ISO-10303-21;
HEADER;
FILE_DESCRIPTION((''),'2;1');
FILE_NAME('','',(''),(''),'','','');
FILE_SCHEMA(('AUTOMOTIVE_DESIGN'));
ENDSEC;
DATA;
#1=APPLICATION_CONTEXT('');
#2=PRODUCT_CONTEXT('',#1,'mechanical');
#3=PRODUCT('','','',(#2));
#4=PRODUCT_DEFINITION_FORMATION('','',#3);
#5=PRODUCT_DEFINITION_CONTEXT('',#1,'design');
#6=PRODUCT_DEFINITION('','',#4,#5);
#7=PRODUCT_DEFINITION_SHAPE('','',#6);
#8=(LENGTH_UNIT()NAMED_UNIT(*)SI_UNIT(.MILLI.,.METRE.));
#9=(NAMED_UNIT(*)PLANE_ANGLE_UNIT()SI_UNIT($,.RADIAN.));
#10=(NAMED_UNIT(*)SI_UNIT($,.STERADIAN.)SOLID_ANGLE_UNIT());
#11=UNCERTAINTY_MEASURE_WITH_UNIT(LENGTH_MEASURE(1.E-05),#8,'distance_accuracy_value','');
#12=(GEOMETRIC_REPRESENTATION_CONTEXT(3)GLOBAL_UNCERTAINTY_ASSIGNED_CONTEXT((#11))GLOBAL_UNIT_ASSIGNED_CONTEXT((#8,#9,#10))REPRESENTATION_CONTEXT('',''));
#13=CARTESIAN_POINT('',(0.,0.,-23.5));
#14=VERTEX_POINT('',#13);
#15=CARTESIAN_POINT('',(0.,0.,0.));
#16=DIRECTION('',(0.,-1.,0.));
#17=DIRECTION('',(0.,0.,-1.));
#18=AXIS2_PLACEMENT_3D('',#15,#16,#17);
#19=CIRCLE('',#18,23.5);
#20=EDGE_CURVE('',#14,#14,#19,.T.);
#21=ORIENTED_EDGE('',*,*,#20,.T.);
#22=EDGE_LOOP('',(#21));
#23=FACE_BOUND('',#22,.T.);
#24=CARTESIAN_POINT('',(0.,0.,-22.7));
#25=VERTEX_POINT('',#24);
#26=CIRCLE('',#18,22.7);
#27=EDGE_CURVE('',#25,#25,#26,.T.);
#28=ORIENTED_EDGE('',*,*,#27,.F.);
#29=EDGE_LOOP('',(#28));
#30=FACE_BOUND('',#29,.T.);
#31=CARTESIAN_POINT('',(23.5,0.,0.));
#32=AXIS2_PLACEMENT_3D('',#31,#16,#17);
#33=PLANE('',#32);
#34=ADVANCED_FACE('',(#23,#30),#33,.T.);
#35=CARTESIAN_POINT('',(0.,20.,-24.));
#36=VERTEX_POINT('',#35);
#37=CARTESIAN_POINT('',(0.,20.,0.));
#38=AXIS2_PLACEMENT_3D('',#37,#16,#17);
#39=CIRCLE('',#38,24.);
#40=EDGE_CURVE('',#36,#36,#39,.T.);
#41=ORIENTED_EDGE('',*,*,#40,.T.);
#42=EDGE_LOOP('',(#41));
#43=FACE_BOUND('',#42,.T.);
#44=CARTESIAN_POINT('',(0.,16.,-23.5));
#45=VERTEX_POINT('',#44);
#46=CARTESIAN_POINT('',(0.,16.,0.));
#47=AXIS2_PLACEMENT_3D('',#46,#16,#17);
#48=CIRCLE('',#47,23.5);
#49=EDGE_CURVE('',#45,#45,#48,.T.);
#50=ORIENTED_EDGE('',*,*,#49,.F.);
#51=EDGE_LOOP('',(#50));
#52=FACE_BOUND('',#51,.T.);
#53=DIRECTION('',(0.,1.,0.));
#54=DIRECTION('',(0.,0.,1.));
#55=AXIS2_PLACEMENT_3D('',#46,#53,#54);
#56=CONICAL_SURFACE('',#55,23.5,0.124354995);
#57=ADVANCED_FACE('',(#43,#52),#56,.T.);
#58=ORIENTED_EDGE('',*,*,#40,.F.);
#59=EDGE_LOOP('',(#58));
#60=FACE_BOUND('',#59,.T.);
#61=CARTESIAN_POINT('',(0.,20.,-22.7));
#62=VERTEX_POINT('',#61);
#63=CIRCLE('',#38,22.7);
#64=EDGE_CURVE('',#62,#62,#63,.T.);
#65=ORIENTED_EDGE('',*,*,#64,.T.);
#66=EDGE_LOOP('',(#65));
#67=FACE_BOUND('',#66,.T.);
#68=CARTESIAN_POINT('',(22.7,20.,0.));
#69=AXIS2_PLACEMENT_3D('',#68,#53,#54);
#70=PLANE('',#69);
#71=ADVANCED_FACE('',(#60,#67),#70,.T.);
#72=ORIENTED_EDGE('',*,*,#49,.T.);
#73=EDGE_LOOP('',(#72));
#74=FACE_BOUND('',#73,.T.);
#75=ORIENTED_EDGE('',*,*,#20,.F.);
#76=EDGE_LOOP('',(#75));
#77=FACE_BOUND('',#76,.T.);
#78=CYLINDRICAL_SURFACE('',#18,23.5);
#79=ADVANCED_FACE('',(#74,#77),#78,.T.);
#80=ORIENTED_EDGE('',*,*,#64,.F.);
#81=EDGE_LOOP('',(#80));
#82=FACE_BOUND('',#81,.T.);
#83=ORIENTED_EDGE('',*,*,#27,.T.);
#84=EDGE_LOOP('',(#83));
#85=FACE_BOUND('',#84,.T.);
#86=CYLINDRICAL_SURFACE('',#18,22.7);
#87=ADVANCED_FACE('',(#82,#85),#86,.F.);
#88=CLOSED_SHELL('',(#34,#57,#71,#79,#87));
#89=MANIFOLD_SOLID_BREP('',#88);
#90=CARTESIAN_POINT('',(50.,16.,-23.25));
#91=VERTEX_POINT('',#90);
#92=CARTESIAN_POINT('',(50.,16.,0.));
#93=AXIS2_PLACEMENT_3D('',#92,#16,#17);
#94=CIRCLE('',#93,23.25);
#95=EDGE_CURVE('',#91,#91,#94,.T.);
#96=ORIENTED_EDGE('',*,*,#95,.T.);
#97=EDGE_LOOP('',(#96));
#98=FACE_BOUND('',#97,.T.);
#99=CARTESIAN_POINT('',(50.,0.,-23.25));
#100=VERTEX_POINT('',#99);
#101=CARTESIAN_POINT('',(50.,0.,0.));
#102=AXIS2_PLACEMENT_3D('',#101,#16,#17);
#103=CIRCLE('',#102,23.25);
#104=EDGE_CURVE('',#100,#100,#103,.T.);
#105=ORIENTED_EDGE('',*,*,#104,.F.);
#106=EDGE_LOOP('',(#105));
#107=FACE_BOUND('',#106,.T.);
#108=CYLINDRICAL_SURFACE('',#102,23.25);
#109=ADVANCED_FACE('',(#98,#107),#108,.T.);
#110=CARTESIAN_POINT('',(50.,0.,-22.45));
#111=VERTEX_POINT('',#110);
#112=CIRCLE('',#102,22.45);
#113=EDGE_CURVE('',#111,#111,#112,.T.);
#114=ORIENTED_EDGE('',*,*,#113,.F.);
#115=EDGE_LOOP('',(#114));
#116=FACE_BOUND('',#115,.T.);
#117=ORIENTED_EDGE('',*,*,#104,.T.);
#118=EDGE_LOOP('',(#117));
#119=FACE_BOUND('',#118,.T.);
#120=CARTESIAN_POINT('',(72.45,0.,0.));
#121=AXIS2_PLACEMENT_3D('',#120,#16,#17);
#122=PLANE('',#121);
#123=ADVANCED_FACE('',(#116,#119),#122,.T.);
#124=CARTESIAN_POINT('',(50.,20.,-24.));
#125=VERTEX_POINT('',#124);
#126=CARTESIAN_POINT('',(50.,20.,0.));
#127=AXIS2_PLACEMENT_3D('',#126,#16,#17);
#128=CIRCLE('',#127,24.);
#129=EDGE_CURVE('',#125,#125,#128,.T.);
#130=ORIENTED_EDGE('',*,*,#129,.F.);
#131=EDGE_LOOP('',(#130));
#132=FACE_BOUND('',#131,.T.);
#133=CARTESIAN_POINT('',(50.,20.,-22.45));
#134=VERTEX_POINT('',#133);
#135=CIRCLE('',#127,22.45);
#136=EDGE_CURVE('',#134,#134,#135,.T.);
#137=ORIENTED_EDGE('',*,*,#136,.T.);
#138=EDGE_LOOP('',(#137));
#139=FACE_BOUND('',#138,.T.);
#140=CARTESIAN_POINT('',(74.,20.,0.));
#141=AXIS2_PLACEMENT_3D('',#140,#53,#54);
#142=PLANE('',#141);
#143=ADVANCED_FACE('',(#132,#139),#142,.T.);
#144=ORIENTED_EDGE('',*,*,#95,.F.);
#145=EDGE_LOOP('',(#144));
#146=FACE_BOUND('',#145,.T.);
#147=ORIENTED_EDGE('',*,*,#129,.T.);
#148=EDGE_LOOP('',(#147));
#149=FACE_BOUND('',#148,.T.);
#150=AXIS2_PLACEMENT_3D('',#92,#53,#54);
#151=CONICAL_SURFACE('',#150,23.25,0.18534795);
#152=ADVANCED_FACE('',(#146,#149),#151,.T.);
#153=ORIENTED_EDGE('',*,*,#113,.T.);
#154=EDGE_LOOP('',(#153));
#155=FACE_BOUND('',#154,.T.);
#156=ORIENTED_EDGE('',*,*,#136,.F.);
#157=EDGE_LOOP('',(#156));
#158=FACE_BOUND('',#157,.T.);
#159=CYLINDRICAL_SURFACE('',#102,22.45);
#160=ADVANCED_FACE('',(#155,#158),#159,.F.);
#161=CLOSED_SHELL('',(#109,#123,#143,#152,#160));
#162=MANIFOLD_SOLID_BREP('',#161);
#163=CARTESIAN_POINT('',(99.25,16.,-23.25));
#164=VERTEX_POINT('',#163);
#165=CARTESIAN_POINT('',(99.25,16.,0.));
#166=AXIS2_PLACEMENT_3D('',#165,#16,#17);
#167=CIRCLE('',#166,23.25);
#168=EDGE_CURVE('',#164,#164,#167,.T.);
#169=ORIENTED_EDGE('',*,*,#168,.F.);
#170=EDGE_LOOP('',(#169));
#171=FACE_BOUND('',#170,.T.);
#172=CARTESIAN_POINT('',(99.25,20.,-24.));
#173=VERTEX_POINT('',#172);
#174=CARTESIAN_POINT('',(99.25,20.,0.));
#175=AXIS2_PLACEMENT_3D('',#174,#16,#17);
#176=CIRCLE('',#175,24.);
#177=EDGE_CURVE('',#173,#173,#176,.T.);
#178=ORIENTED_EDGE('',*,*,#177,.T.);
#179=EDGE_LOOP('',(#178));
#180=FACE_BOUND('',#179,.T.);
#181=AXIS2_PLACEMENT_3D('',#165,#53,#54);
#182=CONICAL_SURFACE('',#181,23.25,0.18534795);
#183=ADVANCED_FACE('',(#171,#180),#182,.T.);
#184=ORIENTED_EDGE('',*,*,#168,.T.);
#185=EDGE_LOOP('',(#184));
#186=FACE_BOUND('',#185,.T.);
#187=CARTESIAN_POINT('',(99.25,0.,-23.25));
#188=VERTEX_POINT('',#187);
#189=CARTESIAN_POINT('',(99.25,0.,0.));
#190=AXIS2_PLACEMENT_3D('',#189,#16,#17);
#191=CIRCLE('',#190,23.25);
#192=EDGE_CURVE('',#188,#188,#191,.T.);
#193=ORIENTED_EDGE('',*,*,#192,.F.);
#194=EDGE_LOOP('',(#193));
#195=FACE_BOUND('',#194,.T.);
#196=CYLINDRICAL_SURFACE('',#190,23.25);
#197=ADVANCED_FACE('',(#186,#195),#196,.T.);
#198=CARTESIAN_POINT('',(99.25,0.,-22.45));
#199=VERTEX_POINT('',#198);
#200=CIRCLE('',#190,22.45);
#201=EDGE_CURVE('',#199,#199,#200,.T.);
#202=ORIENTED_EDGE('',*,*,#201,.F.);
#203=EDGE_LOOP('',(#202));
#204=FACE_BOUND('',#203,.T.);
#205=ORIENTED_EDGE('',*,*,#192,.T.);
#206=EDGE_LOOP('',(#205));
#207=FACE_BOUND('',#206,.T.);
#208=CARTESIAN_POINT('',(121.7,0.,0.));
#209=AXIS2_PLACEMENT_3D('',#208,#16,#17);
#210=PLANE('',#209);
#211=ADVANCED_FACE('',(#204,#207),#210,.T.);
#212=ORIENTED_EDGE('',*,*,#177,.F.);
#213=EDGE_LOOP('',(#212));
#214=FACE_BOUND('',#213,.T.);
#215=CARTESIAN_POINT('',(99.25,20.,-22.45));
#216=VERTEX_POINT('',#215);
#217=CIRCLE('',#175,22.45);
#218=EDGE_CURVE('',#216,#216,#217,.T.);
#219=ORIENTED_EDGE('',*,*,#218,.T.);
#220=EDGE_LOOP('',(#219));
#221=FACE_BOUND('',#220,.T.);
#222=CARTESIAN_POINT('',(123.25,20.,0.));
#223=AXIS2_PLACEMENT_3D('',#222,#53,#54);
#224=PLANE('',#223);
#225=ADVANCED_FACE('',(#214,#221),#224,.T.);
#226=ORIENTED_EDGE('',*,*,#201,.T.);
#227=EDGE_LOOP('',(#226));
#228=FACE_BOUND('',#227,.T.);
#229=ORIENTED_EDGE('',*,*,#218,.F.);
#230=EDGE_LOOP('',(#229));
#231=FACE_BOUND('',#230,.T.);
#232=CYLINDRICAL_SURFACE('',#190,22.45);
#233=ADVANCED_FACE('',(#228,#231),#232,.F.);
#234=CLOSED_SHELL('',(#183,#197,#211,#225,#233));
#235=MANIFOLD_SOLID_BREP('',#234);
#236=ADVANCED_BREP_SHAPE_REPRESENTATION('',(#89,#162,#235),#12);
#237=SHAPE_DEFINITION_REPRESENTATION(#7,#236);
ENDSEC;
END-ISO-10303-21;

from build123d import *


with BuildPart() as part:
    # Sketch2 → Revolve1 (revolve)
    with BuildSketch(Plane.XY, mode=Mode.PRIVATE) as revolve1_sk:
        Polygon((22.7, 0), (22.7, 20), (24, 20), (23.5, 16), (23.5, 0), align=None)
    revolve(revolve1_sk.sketch.rotate(Axis((0, 0, 0), (0, 1, 0)), 90), axis=Axis((0, 0, 0), (0, 1, 0)))


with BuildPart() as body_2:
    # Sketch3 → Revolve2 (revolve)
    with BuildSketch(Plane.XY, mode=Mode.PRIVATE) as revolve2_sk:
        Polygon((73.25, 0), (73.25, 16), (74, 20), (72.45, 20), (72.45, 0), align=None)
    revolve(revolve2_sk.sketch.rotate(Axis((50, 0, 0), (0, 1, 0)), 90), axis=Axis((50, 0, 0), (0, 1, 0)))


with BuildPart() as body_3:
    # Sketch4 → Revolve3 (revolve)
    with BuildSketch(Plane.XY, mode=Mode.PRIVATE) as revolve3_sk:
        Polygon((122.5, 0), (122.5, 16), (123.25, 20), (121.7, 20), (121.7, 0), align=None)
    revolve(revolve3_sk.sketch.rotate(Axis((99.25, 0, 0), (0, 1, 0)), 90), axis=Axis((99.25, 0, 0), (0, 1, 0)))


solid = Compound([part.part, body_2.part, body_3.part])
